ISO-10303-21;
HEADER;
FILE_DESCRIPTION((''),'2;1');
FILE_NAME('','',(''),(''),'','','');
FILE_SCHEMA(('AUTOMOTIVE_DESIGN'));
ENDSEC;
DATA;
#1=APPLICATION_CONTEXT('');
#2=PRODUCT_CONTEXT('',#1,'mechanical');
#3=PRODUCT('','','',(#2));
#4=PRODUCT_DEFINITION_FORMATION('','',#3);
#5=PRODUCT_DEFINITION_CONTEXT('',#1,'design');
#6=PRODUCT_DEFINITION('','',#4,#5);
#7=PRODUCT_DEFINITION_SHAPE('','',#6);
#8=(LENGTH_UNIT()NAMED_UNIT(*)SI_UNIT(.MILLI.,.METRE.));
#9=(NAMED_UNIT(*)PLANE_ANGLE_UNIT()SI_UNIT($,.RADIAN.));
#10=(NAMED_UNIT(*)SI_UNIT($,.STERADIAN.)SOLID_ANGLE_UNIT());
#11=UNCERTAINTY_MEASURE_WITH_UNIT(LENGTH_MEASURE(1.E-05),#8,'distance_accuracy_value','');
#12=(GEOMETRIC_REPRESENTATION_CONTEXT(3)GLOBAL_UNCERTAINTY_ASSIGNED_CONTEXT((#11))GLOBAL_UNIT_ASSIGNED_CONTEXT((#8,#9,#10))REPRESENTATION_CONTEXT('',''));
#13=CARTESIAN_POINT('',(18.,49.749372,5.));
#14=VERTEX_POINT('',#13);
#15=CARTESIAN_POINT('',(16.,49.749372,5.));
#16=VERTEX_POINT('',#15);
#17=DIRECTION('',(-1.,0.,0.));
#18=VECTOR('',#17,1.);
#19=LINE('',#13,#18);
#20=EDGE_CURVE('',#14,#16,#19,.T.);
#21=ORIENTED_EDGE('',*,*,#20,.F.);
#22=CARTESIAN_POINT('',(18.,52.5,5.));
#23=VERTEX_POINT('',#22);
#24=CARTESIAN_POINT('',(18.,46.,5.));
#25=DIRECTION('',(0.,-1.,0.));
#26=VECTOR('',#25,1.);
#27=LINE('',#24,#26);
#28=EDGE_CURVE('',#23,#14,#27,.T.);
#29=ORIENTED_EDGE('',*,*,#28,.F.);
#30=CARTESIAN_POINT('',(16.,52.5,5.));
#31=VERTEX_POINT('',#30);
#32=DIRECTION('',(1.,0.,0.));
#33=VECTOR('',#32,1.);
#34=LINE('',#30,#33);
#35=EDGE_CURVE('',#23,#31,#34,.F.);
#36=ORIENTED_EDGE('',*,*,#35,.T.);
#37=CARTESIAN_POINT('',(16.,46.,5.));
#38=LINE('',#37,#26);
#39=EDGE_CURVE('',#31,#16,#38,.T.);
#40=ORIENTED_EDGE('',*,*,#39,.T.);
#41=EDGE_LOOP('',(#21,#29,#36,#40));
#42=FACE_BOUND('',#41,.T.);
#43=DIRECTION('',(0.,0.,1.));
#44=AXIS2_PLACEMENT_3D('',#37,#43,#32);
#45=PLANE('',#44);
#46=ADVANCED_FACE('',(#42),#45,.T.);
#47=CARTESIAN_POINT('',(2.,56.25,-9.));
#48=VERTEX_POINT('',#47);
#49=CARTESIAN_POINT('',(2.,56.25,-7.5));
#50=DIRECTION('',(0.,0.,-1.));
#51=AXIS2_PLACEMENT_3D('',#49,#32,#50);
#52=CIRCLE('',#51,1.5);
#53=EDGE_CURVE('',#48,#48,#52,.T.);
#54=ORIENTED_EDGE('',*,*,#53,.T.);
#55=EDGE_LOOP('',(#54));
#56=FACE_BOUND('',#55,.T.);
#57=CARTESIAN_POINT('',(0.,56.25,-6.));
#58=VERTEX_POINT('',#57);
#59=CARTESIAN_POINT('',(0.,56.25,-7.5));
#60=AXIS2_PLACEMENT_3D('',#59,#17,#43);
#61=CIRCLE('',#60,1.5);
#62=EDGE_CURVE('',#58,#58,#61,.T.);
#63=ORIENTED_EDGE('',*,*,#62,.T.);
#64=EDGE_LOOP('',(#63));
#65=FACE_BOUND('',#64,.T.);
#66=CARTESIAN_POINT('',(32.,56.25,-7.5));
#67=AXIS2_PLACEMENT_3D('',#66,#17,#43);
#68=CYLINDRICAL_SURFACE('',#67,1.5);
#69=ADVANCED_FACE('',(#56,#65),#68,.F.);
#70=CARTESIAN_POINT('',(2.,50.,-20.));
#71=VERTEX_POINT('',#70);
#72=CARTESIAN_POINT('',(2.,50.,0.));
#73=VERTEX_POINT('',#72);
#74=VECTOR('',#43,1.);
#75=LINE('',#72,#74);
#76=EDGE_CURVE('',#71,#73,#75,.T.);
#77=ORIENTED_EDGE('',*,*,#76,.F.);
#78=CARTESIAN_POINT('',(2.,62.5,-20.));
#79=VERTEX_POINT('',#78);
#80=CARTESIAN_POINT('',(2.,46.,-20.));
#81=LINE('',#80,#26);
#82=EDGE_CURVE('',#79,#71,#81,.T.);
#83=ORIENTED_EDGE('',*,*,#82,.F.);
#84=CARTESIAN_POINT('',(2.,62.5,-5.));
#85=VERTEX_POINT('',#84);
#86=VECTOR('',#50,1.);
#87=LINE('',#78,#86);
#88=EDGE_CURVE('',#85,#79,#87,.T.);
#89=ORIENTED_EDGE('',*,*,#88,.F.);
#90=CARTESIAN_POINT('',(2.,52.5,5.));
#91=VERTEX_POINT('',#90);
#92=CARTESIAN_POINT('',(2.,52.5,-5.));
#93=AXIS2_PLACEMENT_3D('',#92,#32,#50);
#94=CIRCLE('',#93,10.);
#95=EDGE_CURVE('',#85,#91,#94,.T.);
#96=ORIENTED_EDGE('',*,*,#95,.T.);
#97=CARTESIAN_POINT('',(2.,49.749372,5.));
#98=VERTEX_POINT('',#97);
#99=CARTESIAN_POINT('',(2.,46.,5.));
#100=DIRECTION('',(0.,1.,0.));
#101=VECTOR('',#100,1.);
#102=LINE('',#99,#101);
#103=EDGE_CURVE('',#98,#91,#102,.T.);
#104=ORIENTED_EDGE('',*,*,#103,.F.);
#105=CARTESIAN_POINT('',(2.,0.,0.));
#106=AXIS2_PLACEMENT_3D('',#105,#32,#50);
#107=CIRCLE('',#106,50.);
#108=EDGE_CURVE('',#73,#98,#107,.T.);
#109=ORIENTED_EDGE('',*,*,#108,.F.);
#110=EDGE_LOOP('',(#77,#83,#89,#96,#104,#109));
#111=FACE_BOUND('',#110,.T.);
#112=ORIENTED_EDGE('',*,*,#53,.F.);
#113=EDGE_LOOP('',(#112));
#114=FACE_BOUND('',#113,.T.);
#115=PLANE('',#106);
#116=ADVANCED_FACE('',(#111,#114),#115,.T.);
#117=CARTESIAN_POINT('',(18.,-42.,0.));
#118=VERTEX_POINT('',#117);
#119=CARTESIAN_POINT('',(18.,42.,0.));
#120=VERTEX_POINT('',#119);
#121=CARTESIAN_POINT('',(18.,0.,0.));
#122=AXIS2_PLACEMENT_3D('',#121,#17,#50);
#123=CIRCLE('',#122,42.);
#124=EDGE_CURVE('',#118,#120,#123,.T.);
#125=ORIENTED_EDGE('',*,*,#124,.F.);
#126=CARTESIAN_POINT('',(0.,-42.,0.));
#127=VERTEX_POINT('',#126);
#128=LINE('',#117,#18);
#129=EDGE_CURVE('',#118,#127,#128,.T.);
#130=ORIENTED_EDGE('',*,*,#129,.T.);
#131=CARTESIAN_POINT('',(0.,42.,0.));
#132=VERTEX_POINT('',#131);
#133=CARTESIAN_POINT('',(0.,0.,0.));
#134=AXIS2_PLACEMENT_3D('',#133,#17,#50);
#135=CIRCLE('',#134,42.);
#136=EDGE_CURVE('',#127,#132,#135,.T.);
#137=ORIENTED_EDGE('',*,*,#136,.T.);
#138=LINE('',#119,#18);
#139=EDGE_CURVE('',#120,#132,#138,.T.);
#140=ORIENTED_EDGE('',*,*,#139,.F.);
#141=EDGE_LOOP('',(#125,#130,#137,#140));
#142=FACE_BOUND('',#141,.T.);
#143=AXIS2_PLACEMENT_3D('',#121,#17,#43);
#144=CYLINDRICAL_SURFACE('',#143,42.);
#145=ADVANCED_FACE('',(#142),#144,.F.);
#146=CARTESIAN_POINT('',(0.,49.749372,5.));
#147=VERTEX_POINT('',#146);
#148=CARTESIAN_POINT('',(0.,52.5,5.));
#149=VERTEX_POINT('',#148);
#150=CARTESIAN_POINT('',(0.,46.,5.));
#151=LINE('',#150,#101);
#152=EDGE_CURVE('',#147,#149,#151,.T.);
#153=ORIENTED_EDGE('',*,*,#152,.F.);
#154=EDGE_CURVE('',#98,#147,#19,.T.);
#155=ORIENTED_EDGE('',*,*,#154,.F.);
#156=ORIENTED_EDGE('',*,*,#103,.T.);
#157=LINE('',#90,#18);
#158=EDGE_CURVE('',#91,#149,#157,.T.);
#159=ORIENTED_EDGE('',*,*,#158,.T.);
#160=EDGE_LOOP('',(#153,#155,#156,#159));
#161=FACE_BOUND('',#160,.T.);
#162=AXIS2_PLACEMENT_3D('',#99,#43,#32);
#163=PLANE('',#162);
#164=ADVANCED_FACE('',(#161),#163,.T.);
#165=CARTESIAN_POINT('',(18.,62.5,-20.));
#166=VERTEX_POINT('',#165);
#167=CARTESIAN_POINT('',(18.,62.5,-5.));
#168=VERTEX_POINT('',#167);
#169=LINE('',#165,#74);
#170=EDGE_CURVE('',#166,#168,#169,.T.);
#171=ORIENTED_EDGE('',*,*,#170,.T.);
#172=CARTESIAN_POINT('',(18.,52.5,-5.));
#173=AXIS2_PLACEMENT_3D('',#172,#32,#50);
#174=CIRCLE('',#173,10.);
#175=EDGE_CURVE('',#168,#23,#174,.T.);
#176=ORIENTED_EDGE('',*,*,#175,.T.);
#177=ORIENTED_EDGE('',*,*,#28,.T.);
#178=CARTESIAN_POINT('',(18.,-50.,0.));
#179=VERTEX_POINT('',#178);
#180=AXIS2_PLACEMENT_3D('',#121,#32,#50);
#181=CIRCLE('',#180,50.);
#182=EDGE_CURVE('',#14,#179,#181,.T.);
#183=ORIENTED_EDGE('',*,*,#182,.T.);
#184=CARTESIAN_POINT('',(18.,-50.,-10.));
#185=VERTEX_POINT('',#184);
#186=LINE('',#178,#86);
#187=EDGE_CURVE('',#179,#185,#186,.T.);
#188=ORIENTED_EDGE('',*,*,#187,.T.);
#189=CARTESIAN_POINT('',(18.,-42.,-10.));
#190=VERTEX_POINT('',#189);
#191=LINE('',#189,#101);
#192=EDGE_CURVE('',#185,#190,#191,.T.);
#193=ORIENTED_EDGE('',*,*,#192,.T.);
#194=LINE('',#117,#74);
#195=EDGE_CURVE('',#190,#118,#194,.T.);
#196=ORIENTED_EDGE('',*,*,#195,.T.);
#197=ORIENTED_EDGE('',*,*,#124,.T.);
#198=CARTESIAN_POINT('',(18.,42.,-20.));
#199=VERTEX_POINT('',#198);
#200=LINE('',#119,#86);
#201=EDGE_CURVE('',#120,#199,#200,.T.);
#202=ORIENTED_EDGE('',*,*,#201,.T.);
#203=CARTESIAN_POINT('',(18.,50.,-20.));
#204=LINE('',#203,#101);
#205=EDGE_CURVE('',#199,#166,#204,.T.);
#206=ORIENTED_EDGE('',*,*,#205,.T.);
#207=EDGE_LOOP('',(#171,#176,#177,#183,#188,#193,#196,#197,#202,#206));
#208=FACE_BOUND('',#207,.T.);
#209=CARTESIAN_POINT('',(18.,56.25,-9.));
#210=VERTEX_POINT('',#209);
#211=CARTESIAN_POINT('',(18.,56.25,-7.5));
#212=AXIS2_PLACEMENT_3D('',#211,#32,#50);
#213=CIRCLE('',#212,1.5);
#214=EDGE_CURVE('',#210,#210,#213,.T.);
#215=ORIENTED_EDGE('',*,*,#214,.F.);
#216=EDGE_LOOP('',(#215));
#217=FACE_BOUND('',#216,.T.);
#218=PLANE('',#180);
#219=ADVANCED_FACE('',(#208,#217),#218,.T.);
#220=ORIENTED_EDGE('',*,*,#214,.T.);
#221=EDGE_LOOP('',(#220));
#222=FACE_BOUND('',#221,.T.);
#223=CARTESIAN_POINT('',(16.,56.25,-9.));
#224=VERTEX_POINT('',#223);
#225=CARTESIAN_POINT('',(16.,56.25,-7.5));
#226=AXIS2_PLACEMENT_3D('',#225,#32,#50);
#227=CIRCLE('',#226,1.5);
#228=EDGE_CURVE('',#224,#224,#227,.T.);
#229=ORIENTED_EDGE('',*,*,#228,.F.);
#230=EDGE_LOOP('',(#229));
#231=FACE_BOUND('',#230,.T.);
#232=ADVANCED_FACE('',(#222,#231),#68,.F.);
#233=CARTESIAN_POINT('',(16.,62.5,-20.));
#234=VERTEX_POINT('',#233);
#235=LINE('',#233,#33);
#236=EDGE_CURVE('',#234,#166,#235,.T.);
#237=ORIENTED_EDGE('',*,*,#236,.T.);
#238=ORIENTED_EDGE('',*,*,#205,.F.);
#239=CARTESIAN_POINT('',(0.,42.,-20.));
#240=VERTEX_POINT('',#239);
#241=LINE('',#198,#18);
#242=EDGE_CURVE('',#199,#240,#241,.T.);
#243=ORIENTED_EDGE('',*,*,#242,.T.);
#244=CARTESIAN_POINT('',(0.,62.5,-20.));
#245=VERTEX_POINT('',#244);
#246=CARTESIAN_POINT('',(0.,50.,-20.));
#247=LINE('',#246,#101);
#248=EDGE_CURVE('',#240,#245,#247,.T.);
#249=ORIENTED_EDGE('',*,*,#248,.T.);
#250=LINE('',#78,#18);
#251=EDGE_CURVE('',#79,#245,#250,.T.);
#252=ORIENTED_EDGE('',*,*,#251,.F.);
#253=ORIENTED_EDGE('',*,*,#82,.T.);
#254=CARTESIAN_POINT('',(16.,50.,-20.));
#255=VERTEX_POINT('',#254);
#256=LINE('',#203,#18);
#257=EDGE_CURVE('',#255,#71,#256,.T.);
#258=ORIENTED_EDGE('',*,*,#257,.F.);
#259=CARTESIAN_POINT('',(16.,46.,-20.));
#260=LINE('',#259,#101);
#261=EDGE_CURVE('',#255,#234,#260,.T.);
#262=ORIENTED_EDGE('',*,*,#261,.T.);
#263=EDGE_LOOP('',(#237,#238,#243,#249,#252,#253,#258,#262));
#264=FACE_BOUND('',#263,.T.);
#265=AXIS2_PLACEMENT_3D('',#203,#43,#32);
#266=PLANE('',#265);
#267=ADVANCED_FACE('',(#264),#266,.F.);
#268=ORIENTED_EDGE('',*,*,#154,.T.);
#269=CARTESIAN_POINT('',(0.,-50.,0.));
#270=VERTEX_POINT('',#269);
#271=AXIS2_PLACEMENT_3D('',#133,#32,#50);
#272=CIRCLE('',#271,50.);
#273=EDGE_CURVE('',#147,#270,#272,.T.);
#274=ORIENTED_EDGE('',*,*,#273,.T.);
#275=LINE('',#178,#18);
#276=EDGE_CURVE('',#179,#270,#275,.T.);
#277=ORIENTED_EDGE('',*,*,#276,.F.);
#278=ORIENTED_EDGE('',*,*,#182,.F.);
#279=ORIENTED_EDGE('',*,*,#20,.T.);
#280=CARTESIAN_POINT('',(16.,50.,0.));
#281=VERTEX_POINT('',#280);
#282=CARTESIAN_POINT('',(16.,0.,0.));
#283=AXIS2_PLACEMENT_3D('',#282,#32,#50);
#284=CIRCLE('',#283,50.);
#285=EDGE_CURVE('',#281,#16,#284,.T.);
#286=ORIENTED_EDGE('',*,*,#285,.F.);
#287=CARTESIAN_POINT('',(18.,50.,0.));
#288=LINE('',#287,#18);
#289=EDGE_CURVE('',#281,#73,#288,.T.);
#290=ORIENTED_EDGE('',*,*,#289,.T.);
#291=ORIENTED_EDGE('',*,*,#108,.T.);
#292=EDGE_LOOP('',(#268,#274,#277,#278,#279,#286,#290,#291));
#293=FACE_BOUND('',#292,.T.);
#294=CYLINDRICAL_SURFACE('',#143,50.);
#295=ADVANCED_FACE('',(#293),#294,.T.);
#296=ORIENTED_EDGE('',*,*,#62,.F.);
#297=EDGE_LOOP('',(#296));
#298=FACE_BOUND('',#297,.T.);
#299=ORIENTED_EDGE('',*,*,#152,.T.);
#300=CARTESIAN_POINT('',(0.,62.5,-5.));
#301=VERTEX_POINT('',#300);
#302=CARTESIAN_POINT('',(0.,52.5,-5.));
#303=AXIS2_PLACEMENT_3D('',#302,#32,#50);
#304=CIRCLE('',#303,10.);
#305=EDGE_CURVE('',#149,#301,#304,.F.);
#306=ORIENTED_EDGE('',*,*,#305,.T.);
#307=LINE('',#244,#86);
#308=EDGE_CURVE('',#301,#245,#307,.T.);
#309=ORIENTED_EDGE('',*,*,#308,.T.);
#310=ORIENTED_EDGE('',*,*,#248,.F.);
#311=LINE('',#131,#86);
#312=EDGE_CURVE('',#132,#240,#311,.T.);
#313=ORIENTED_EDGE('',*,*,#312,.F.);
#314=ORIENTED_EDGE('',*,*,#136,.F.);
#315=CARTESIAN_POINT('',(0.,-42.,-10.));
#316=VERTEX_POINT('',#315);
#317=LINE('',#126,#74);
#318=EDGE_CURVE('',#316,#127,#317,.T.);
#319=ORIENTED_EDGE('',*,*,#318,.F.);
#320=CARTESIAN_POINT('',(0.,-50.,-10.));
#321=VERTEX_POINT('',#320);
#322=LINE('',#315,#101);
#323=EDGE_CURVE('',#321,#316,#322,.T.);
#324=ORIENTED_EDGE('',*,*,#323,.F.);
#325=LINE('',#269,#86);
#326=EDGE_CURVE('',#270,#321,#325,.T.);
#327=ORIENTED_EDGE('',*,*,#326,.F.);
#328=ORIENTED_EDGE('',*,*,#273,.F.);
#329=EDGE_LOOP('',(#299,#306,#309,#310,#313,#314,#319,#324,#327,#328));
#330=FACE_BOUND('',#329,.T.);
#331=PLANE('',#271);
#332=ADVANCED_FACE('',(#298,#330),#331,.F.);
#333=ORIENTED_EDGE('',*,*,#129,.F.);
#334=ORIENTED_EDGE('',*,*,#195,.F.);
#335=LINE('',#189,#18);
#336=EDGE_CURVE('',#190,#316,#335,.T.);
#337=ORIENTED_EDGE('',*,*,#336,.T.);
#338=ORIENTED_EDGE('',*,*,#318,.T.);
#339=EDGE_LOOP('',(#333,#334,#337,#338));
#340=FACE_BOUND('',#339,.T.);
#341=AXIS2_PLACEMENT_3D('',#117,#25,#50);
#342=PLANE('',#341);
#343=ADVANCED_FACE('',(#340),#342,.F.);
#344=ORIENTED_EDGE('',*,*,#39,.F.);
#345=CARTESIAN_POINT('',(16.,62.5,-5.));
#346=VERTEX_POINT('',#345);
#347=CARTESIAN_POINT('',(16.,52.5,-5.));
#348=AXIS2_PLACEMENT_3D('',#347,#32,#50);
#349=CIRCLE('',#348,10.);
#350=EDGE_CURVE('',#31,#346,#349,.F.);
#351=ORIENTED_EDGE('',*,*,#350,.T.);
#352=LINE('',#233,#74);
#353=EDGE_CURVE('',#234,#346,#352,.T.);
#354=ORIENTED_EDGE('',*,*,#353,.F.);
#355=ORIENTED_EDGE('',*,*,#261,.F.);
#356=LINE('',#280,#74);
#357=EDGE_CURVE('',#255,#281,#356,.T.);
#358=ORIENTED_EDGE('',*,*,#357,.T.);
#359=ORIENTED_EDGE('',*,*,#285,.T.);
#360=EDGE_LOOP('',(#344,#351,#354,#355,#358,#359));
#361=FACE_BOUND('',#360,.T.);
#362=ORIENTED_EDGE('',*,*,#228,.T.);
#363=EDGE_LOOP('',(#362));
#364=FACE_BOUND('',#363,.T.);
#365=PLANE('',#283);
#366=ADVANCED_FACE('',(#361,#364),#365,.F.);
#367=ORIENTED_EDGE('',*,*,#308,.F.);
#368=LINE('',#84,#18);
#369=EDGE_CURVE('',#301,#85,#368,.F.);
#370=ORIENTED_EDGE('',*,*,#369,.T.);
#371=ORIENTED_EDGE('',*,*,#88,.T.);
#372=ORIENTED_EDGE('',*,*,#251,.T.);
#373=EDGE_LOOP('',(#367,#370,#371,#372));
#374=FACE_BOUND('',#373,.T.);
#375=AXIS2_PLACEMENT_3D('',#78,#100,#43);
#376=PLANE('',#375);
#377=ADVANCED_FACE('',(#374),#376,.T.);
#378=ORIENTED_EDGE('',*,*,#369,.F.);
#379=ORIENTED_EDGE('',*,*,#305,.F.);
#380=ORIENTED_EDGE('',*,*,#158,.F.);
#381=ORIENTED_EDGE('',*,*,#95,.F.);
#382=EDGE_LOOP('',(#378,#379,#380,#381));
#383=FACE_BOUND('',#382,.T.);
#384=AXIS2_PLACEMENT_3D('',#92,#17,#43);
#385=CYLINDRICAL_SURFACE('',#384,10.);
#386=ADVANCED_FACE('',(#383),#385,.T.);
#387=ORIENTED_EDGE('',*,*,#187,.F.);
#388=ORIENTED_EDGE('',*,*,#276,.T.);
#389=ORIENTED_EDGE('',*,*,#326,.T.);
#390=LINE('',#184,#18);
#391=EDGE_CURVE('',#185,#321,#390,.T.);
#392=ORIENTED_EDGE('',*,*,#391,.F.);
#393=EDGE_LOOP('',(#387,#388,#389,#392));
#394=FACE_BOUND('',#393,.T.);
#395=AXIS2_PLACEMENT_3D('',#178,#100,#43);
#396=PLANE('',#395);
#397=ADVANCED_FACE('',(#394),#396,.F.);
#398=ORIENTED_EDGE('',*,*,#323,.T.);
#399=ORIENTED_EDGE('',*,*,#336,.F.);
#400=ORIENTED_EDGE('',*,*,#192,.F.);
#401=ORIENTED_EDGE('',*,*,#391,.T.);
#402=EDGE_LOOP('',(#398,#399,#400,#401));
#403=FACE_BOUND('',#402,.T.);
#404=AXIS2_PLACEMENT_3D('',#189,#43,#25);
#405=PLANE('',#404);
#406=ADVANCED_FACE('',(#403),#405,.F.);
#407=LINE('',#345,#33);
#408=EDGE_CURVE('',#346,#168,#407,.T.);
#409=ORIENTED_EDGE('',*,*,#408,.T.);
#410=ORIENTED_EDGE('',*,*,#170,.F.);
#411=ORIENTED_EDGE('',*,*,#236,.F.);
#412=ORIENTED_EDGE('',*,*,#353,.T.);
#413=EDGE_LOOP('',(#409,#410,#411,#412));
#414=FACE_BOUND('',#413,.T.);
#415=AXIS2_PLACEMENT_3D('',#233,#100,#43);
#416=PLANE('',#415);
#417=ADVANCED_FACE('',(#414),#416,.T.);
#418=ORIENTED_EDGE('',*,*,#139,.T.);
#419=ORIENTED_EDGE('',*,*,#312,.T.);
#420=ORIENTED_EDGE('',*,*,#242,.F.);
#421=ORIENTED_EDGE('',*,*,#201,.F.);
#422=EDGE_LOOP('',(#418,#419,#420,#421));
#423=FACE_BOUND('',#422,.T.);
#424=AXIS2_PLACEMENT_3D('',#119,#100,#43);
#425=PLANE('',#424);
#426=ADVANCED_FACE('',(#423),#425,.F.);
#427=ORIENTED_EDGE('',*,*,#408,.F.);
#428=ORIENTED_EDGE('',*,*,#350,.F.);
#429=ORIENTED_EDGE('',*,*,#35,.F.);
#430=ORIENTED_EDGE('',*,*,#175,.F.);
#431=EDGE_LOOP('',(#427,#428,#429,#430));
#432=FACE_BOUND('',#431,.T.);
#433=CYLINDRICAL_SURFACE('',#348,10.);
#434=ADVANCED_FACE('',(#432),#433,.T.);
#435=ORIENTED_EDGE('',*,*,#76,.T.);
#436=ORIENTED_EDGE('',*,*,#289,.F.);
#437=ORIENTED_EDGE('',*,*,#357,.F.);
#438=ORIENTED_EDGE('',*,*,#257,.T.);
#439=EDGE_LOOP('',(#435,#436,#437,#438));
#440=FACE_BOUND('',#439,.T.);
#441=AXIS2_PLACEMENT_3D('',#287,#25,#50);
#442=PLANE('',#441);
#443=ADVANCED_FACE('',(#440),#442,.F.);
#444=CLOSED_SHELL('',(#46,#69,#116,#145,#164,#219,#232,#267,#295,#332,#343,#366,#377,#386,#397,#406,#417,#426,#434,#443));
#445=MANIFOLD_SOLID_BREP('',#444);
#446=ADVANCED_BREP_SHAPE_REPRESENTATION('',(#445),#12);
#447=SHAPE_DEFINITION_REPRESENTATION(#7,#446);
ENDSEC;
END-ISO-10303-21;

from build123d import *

# Parameters (mm, degrees)
BOSS_EXTRUDE1_DEPTH = 18
SKETCH2_W           = 25
SKETCH2_H           = 16.5
BOSS_EXTRUDE2_DEPTH = 2
SKETCH3_W           = 25
SKETCH3_H           = 16.5
BOSS_EXTRUDE3_DEPTH = 2
SKETCH4_R           = 1.5
CUT_EXTRUDE1_DEPTH  = 32
FILLET1_R           = 10


with BuildPart() as part:
    # Sketch1 → Boss-Extrude1 (new body)
    with BuildSketch(Plane(origin=(0, 0, 0), x_dir=(0, 0, -1), z_dir=(1, 0, 0))):
        with BuildLine():
            Line((0, -42), (10, -42))
            Line((10, -42), (10, -50))
            Line((10, -50), (0, -50))
            ThreePointArc((0, -50), (-50, 0), (0, 50))
            Line((0, 50), (20, 50))
            Line((20, 50), (20, 42))
            Line((20, 42), (0, 42))
            ThreePointArc((0, 42), (-42, 0), (0, -42))
        make_face()
    extrude(amount=BOSS_EXTRUDE1_DEPTH)

    # Sketch2 → Boss-Extrude2 (add)
    with BuildSketch(Plane(origin=(18, 0, 0), x_dir=(0, 0, -1), z_dir=(1, 0, 0))):
        with Locations((7.5, 54.25)):
            Rectangle(SKETCH2_W, SKETCH2_H)
    extrude(amount=-BOSS_EXTRUDE2_DEPTH)

    # Sketch3 → Boss-Extrude3 (add)
    with BuildSketch(Plane.ZY):
        with Locations((-7.5, 54.25)):
            Rectangle(SKETCH3_W, SKETCH3_H)
    extrude(amount=-BOSS_EXTRUDE3_DEPTH)

    # Sketch4 → Cut-Extrude1 (cut)
    with BuildSketch(Plane.ZY):
        with Locations((-7.5, 56.25)):
            Circle(SKETCH4_R)
    extrude(amount=-CUT_EXTRUDE1_DEPTH, mode=Mode.SUBTRACT)

    # Fillet1
    fillet1_edges = [part.edges().sort_by_distance(p)[0] for p in [
        (17, 62.5, 5),
        (1, 62.5, 5),
    ]]
    fillet(fillet1_edges, radius=FILLET1_R)


solid = part.part
